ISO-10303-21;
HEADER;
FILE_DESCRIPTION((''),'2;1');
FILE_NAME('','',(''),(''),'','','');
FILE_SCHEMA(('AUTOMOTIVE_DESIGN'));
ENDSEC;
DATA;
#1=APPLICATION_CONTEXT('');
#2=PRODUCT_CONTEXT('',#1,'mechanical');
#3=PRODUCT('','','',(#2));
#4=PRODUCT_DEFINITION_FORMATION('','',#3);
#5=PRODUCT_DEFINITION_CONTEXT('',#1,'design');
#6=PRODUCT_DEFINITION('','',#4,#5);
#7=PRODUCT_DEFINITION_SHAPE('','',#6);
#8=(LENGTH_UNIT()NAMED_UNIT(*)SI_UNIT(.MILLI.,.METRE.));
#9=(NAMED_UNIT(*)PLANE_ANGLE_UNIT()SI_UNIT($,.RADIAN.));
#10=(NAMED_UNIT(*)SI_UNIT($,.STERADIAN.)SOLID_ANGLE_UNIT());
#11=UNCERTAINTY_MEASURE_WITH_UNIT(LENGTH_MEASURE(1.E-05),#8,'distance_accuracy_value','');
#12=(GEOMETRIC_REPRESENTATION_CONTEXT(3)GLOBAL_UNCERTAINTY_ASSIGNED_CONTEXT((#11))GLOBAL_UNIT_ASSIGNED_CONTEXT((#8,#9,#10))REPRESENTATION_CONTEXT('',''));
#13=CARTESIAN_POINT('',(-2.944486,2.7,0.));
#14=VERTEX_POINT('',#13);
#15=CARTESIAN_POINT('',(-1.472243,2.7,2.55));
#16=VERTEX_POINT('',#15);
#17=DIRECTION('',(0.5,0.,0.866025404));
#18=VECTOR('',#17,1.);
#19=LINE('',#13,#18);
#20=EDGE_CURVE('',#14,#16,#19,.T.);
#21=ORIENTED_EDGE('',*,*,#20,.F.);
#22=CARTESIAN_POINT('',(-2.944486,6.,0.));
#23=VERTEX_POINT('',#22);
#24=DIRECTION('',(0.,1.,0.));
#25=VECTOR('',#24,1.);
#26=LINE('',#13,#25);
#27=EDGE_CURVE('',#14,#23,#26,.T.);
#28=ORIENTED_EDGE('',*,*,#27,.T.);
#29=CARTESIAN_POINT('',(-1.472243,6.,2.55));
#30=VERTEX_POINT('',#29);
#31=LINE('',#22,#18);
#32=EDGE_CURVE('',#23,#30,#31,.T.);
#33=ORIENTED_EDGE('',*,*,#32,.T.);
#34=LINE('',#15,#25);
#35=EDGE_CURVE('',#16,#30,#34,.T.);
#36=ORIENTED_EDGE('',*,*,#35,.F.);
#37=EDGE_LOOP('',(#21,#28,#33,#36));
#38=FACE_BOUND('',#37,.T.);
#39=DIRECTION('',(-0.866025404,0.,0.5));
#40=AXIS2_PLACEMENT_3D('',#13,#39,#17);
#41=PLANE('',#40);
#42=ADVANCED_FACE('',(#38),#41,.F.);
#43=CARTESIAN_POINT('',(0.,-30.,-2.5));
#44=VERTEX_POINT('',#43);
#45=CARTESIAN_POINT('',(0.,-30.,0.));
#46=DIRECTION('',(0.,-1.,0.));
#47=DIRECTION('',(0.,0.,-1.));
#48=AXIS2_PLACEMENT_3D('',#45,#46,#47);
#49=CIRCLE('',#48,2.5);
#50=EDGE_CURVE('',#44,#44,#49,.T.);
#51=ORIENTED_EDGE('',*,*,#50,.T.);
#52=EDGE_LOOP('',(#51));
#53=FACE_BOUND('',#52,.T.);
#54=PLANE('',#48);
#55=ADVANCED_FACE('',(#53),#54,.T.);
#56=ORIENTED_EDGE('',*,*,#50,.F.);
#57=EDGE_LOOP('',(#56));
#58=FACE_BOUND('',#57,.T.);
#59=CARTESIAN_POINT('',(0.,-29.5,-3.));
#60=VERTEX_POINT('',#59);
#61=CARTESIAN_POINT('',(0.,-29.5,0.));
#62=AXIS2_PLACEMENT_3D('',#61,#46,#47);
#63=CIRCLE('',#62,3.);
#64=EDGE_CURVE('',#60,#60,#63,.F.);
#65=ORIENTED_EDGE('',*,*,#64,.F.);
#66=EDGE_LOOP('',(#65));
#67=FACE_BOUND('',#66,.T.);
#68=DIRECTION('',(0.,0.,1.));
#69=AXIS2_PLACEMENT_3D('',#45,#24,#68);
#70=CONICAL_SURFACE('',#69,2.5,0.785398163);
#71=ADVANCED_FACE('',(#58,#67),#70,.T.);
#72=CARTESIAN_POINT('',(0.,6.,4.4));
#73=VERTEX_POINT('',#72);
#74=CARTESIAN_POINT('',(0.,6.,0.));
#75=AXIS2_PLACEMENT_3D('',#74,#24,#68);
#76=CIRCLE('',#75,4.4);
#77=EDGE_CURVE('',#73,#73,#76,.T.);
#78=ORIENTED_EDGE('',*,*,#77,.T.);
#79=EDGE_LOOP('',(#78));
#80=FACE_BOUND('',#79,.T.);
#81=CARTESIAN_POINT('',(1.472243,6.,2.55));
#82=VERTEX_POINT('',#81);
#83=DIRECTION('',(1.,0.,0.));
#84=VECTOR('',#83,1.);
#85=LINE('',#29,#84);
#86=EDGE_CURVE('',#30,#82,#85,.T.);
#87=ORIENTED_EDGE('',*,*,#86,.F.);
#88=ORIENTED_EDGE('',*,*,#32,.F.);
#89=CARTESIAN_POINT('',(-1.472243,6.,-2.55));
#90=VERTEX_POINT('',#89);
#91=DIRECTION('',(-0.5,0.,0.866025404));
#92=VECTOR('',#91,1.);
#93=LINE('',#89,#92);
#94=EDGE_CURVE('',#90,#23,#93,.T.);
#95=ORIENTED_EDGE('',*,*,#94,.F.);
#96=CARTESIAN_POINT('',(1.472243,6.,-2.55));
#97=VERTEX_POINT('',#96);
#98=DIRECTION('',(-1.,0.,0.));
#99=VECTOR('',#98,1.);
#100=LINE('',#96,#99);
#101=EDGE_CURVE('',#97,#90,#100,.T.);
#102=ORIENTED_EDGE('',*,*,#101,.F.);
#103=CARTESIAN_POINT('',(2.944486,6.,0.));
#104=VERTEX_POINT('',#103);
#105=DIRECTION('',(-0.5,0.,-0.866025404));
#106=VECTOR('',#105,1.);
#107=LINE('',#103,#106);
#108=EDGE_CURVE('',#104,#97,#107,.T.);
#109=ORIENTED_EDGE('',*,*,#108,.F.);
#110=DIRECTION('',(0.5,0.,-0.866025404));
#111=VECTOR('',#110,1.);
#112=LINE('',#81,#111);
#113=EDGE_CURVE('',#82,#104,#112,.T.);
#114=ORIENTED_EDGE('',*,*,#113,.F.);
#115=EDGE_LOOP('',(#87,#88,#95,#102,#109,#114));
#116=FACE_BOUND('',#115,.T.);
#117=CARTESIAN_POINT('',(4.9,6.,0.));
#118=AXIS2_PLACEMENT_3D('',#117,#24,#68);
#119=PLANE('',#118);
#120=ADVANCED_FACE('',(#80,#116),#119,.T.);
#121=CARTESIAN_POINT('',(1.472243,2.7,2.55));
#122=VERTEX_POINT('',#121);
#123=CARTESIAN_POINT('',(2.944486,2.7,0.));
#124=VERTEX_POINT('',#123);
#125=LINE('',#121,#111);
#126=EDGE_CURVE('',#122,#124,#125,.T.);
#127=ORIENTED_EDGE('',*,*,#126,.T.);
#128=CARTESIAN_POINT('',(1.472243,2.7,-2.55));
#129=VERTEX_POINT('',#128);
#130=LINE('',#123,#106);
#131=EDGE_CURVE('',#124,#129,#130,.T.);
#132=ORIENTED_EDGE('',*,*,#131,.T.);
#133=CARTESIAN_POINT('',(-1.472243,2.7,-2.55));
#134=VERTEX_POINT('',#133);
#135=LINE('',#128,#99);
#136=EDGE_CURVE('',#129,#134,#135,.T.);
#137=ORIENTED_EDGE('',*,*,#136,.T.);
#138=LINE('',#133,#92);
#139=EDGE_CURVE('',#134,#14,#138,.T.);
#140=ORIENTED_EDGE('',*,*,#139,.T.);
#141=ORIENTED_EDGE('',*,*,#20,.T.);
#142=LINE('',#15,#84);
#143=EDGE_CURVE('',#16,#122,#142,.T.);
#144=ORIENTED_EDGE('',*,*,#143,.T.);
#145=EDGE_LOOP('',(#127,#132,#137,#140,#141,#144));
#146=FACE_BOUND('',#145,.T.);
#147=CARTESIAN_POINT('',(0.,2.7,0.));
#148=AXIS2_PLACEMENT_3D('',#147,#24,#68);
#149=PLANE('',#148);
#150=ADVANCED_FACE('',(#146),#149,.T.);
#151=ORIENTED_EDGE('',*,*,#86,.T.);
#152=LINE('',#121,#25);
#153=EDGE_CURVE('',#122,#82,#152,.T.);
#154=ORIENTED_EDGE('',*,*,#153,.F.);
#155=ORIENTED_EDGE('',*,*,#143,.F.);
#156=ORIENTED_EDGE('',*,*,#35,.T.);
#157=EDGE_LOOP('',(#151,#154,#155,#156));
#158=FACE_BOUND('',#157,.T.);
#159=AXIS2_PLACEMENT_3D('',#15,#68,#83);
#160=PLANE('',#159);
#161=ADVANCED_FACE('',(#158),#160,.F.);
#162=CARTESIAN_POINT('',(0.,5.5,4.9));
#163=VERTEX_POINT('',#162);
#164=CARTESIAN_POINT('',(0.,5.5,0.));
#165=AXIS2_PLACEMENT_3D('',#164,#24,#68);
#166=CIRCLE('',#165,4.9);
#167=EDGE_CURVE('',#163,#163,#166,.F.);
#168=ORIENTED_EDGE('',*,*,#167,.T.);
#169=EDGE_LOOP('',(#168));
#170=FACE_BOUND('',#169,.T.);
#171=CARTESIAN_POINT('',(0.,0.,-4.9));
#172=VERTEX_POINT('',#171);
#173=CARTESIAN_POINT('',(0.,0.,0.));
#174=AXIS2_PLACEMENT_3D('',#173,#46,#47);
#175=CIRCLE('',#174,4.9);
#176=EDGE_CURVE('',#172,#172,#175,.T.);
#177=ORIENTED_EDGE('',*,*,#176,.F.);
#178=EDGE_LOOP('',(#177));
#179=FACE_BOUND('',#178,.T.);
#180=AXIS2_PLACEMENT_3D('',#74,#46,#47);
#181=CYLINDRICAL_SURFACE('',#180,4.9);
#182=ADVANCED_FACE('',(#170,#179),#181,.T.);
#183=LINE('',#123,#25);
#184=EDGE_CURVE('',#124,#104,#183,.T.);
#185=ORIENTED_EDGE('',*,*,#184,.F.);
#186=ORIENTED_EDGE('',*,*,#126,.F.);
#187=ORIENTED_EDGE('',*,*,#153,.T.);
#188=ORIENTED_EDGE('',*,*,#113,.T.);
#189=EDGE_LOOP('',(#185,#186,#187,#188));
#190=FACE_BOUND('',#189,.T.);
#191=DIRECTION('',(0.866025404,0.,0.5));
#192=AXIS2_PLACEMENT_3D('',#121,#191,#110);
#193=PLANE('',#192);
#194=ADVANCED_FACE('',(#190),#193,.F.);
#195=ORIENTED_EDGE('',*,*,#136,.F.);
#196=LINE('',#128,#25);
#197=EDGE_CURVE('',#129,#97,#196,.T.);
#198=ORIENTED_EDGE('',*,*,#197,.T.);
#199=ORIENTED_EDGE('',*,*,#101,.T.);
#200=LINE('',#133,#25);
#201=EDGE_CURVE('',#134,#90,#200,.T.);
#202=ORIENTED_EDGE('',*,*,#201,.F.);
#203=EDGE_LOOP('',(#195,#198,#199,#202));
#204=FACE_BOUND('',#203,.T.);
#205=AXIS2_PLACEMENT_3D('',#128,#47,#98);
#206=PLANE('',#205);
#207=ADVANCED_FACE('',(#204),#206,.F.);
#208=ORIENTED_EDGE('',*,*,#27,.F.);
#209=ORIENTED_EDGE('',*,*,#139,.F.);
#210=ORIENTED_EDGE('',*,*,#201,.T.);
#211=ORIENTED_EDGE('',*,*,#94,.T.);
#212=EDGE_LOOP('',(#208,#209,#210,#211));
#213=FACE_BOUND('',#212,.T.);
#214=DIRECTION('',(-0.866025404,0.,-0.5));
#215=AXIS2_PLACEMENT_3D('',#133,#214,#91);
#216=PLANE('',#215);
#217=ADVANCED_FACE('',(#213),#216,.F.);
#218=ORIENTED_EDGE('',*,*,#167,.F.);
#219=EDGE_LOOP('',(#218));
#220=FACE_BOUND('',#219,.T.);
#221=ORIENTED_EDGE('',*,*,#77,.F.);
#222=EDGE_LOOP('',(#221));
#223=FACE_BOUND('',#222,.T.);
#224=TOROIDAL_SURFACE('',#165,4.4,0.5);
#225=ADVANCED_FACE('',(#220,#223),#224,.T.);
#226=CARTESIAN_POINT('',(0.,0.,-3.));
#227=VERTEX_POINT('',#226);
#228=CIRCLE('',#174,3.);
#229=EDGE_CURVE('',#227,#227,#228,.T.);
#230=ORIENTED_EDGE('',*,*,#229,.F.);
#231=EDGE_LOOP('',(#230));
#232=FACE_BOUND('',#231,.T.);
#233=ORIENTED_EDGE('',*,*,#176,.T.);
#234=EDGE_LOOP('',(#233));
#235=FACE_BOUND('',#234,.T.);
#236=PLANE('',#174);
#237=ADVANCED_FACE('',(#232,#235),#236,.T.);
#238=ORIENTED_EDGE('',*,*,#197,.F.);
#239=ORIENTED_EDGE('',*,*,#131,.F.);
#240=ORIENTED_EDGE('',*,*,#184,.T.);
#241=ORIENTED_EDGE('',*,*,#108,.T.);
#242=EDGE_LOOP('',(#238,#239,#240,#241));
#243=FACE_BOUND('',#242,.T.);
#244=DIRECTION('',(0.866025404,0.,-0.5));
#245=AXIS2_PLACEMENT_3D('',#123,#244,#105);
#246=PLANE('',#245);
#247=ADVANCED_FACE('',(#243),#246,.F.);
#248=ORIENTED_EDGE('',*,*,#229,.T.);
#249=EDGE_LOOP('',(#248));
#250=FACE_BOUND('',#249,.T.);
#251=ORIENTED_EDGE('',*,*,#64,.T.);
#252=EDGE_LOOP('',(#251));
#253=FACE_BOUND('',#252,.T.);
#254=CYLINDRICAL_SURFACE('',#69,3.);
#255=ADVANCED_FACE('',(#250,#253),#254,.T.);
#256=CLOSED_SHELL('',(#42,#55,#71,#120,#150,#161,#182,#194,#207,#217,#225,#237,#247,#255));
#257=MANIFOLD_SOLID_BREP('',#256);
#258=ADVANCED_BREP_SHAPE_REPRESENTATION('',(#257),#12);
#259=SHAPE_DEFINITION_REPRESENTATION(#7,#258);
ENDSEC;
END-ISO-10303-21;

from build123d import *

# Parameters (mm, degrees)
ESQUISSE1_W             = 4.9
ESQUISSE1_H             = 6
ESQUISSE2_R             = 3
BOSS_EXTRU_1_DEPTH      = 30
ENL_V_MAT_EXTRU_1_DEPTH = 3.3
CHANFREIN1_SIZE         = 0.5
CONG_1_R                = 0.5


with BuildPart() as part:
    # Esquisse1 → Révolution1 (revolve)
    with BuildSketch(Plane.XY, mode=Mode.PRIVATE) as r_volution1_sk:
        with Locations((2.45, 3)):
            Rectangle(ESQUISSE1_W, ESQUISSE1_H)
    revolve(r_volution1_sk.sketch.rotate(Axis((0, 6, 0), (0, -1, 0)), 270), axis=Axis((0, 6, 0), (0, -1, 0)))

    # Esquisse2 → Boss.-Extru.1 (add)
    with BuildSketch(Plane.XZ):
        with Locations(Location((0, 0, 0), (0, 0, 270))):
            Circle(ESQUISSE2_R)
    extrude(amount=BOSS_EXTRU_1_DEPTH)

    # Esquisse3 → Enlèv. mat.-Extru.1 (cut)
    with BuildSketch(Plane(origin=(0, 6, 0), x_dir=(-1, 0, 0), z_dir=(0, 1, 0))):
        Polygon((1.472243186, 2.55), (-1.472243186, 2.55), (-2.944486373, 0), (-1.472243186, -2.55), (1.472243186, -2.55), (2.944486373, 0), align=None)
    extrude(amount=-ENL_V_MAT_EXTRU_1_DEPTH, mode=Mode.SUBTRACT)

    # Chanfrein1
    chanfrein1_edges = [part.edges().sort_by_distance(p)[0] for p in [
        (0, -30, 3),
    ]]
    chamfer(chanfrein1_edges, length=CHANFREIN1_SIZE)

    # Congé1
    cong_1_edges = [part.edges().sort_by_distance(p)[0] for p in [
        (0, 6, 4.9),
    ]]
    fillet(cong_1_edges, radius=CONG_1_R)


solid = part.part
